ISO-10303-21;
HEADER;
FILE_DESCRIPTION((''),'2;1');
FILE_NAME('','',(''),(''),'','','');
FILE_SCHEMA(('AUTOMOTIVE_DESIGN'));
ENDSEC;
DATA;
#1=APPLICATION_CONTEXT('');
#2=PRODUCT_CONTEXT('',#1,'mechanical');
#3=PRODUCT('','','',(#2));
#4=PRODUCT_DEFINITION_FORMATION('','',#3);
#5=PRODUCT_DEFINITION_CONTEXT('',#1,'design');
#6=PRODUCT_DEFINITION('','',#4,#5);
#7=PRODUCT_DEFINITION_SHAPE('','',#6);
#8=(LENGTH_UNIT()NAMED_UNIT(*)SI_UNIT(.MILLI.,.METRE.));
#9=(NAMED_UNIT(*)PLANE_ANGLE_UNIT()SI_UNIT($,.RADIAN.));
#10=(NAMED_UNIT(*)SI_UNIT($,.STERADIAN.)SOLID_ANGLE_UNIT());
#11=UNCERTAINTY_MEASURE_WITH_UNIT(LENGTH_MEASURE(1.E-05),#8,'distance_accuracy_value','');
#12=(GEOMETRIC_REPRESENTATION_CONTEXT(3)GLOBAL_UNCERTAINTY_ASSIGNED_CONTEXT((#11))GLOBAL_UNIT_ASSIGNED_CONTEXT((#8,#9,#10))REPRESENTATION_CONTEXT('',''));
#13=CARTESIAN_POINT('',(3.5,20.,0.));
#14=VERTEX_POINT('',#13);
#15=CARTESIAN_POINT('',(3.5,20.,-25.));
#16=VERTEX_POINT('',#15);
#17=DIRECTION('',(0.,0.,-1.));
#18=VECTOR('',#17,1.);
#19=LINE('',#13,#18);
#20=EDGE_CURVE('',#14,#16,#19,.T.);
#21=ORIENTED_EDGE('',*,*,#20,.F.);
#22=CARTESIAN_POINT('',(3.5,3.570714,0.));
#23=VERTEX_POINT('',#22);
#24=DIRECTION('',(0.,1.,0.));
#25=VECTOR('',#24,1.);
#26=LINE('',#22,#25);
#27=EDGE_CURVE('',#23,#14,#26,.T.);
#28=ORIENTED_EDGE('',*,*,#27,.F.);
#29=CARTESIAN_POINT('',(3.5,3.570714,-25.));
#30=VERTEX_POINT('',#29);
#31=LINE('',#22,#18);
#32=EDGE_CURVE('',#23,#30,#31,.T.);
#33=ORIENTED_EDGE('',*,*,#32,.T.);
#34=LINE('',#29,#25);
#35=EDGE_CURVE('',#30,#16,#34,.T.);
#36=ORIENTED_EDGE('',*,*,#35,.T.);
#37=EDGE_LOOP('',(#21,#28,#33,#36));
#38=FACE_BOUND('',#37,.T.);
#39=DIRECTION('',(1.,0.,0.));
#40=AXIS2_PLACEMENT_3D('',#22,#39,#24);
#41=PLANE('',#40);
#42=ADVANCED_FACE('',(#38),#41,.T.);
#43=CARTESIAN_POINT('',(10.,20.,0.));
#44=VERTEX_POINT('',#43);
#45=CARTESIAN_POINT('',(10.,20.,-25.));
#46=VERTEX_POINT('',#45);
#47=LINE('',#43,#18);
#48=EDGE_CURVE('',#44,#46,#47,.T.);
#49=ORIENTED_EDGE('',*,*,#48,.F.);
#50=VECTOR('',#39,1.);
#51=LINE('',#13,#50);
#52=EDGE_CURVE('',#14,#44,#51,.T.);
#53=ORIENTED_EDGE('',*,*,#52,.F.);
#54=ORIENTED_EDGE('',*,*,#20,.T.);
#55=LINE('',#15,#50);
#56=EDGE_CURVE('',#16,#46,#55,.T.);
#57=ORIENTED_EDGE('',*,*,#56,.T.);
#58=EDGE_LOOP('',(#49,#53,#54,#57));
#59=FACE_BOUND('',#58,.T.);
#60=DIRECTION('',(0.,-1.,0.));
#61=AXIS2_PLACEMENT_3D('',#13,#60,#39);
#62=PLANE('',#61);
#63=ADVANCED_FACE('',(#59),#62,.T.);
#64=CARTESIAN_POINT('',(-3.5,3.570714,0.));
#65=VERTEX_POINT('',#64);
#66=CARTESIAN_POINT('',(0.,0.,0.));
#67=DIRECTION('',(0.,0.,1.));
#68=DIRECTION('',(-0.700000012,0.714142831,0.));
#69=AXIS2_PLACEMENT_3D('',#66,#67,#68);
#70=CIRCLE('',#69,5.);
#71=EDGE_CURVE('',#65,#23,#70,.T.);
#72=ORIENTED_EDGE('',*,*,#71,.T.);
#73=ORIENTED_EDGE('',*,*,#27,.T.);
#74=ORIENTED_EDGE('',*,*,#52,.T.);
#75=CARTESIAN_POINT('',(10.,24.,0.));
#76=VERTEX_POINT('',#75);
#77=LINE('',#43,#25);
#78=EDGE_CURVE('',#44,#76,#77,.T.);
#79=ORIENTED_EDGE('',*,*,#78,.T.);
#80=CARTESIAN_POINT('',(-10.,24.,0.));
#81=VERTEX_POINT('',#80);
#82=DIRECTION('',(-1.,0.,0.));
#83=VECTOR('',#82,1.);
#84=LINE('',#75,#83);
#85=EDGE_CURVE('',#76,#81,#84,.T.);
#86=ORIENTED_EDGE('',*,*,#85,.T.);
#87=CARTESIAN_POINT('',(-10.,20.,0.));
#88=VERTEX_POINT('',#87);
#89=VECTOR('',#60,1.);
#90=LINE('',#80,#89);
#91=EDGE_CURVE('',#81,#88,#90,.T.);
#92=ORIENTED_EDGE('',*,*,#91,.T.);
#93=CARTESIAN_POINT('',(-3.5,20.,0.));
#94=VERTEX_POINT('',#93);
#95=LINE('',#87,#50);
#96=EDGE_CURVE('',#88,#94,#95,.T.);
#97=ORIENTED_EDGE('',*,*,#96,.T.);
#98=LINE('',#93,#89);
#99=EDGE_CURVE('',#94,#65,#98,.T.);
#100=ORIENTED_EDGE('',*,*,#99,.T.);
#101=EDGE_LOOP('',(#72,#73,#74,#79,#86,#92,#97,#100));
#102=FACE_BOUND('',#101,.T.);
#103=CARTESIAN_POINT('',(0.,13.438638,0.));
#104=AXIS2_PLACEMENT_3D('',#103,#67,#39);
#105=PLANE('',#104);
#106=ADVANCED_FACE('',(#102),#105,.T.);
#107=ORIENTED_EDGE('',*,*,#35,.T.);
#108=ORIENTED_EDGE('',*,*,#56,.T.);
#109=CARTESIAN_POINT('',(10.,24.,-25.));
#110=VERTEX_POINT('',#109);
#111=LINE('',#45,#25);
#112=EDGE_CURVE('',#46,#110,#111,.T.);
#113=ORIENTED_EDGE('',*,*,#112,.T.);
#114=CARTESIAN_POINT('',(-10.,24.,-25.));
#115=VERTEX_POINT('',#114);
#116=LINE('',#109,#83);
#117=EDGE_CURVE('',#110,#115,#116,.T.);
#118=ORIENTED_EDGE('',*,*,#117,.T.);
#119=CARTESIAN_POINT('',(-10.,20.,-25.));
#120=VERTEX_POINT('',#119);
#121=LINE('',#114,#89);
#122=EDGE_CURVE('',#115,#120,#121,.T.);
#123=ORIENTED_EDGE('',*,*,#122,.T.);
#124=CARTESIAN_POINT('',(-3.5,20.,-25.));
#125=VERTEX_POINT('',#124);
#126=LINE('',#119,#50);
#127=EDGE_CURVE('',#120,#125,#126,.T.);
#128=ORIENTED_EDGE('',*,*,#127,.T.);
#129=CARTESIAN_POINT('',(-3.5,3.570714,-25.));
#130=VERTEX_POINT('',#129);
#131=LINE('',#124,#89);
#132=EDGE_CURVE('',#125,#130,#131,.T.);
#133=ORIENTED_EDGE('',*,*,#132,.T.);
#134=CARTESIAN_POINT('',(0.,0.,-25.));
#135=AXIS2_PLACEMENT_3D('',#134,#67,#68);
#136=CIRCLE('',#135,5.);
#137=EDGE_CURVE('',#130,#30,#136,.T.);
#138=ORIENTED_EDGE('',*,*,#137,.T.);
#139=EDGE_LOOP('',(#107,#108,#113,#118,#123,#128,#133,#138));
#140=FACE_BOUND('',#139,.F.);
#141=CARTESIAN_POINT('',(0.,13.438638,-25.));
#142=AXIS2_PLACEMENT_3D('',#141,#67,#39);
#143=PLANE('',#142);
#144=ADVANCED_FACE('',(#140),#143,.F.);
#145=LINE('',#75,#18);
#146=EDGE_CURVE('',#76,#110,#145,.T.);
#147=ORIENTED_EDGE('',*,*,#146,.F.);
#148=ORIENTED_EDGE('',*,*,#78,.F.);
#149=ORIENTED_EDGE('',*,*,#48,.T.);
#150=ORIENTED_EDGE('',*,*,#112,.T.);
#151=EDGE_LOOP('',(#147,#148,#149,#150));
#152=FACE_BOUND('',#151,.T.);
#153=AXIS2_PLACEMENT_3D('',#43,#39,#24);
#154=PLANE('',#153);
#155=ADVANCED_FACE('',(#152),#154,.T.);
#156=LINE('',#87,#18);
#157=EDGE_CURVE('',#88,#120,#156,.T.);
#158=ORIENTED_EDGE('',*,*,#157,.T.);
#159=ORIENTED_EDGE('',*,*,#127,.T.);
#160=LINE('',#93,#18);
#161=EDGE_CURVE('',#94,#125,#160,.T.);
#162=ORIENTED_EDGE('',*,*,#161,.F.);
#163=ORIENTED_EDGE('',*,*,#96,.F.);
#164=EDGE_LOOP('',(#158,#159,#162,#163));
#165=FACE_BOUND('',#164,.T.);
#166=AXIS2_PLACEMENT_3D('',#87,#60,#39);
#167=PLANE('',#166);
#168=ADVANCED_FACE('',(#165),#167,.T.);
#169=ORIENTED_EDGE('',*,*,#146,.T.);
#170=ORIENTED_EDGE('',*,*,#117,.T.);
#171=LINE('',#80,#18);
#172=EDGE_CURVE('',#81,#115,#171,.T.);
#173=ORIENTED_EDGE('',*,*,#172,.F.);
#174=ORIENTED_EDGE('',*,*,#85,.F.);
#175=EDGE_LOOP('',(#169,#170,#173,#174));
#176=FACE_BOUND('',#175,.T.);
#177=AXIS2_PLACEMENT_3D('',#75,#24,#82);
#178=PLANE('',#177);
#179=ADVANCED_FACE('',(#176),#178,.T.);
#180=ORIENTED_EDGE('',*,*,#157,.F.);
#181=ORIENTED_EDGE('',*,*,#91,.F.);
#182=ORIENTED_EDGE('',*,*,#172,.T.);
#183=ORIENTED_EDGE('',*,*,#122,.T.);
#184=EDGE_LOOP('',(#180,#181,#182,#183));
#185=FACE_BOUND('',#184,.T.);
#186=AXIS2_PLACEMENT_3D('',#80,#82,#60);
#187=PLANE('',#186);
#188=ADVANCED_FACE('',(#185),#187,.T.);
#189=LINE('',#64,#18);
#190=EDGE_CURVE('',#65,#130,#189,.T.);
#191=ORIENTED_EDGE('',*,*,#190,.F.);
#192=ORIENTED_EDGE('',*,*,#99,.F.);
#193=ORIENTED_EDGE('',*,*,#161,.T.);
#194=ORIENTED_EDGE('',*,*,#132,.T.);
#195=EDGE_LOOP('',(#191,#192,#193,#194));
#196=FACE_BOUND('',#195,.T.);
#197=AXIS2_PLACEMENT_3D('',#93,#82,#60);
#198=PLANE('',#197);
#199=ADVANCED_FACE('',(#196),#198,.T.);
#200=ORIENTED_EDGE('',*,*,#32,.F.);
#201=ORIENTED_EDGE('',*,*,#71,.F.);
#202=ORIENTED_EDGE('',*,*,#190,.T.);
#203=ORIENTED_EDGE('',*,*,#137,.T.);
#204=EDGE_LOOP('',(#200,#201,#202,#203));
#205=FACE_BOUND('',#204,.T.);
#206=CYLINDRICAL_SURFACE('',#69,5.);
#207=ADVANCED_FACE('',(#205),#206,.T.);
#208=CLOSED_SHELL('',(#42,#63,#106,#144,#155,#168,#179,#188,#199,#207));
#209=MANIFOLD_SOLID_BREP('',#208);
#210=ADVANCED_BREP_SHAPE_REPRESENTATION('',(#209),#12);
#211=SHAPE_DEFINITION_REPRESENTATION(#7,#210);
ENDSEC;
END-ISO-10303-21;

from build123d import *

# Parameters (mm, degrees)
F1_DEPTH = 25


with BuildPart() as f1:
    # F0 (on Top) → F1 (new body)
    with BuildSketch(Plane.XY):
        with BuildLine():
            Line((-3.5, 20), (-3.5, 3.570714))
            ThreePointArc((-3.5, 3.570714), (0, -5), (3.5, 3.570714))
            Line((3.5, 3.570714), (3.5, 20))
            Line((3.5, 20), (10, 20))
            Line((10, 20), (10, 24))
            Line((10, 24), (-10, 24))
            Line((-10, 24), (-10, 20))
            Line((-10, 20), (-3.5, 20))
        make_face()
    extrude(amount=-F1_DEPTH)


solid = f1.part
